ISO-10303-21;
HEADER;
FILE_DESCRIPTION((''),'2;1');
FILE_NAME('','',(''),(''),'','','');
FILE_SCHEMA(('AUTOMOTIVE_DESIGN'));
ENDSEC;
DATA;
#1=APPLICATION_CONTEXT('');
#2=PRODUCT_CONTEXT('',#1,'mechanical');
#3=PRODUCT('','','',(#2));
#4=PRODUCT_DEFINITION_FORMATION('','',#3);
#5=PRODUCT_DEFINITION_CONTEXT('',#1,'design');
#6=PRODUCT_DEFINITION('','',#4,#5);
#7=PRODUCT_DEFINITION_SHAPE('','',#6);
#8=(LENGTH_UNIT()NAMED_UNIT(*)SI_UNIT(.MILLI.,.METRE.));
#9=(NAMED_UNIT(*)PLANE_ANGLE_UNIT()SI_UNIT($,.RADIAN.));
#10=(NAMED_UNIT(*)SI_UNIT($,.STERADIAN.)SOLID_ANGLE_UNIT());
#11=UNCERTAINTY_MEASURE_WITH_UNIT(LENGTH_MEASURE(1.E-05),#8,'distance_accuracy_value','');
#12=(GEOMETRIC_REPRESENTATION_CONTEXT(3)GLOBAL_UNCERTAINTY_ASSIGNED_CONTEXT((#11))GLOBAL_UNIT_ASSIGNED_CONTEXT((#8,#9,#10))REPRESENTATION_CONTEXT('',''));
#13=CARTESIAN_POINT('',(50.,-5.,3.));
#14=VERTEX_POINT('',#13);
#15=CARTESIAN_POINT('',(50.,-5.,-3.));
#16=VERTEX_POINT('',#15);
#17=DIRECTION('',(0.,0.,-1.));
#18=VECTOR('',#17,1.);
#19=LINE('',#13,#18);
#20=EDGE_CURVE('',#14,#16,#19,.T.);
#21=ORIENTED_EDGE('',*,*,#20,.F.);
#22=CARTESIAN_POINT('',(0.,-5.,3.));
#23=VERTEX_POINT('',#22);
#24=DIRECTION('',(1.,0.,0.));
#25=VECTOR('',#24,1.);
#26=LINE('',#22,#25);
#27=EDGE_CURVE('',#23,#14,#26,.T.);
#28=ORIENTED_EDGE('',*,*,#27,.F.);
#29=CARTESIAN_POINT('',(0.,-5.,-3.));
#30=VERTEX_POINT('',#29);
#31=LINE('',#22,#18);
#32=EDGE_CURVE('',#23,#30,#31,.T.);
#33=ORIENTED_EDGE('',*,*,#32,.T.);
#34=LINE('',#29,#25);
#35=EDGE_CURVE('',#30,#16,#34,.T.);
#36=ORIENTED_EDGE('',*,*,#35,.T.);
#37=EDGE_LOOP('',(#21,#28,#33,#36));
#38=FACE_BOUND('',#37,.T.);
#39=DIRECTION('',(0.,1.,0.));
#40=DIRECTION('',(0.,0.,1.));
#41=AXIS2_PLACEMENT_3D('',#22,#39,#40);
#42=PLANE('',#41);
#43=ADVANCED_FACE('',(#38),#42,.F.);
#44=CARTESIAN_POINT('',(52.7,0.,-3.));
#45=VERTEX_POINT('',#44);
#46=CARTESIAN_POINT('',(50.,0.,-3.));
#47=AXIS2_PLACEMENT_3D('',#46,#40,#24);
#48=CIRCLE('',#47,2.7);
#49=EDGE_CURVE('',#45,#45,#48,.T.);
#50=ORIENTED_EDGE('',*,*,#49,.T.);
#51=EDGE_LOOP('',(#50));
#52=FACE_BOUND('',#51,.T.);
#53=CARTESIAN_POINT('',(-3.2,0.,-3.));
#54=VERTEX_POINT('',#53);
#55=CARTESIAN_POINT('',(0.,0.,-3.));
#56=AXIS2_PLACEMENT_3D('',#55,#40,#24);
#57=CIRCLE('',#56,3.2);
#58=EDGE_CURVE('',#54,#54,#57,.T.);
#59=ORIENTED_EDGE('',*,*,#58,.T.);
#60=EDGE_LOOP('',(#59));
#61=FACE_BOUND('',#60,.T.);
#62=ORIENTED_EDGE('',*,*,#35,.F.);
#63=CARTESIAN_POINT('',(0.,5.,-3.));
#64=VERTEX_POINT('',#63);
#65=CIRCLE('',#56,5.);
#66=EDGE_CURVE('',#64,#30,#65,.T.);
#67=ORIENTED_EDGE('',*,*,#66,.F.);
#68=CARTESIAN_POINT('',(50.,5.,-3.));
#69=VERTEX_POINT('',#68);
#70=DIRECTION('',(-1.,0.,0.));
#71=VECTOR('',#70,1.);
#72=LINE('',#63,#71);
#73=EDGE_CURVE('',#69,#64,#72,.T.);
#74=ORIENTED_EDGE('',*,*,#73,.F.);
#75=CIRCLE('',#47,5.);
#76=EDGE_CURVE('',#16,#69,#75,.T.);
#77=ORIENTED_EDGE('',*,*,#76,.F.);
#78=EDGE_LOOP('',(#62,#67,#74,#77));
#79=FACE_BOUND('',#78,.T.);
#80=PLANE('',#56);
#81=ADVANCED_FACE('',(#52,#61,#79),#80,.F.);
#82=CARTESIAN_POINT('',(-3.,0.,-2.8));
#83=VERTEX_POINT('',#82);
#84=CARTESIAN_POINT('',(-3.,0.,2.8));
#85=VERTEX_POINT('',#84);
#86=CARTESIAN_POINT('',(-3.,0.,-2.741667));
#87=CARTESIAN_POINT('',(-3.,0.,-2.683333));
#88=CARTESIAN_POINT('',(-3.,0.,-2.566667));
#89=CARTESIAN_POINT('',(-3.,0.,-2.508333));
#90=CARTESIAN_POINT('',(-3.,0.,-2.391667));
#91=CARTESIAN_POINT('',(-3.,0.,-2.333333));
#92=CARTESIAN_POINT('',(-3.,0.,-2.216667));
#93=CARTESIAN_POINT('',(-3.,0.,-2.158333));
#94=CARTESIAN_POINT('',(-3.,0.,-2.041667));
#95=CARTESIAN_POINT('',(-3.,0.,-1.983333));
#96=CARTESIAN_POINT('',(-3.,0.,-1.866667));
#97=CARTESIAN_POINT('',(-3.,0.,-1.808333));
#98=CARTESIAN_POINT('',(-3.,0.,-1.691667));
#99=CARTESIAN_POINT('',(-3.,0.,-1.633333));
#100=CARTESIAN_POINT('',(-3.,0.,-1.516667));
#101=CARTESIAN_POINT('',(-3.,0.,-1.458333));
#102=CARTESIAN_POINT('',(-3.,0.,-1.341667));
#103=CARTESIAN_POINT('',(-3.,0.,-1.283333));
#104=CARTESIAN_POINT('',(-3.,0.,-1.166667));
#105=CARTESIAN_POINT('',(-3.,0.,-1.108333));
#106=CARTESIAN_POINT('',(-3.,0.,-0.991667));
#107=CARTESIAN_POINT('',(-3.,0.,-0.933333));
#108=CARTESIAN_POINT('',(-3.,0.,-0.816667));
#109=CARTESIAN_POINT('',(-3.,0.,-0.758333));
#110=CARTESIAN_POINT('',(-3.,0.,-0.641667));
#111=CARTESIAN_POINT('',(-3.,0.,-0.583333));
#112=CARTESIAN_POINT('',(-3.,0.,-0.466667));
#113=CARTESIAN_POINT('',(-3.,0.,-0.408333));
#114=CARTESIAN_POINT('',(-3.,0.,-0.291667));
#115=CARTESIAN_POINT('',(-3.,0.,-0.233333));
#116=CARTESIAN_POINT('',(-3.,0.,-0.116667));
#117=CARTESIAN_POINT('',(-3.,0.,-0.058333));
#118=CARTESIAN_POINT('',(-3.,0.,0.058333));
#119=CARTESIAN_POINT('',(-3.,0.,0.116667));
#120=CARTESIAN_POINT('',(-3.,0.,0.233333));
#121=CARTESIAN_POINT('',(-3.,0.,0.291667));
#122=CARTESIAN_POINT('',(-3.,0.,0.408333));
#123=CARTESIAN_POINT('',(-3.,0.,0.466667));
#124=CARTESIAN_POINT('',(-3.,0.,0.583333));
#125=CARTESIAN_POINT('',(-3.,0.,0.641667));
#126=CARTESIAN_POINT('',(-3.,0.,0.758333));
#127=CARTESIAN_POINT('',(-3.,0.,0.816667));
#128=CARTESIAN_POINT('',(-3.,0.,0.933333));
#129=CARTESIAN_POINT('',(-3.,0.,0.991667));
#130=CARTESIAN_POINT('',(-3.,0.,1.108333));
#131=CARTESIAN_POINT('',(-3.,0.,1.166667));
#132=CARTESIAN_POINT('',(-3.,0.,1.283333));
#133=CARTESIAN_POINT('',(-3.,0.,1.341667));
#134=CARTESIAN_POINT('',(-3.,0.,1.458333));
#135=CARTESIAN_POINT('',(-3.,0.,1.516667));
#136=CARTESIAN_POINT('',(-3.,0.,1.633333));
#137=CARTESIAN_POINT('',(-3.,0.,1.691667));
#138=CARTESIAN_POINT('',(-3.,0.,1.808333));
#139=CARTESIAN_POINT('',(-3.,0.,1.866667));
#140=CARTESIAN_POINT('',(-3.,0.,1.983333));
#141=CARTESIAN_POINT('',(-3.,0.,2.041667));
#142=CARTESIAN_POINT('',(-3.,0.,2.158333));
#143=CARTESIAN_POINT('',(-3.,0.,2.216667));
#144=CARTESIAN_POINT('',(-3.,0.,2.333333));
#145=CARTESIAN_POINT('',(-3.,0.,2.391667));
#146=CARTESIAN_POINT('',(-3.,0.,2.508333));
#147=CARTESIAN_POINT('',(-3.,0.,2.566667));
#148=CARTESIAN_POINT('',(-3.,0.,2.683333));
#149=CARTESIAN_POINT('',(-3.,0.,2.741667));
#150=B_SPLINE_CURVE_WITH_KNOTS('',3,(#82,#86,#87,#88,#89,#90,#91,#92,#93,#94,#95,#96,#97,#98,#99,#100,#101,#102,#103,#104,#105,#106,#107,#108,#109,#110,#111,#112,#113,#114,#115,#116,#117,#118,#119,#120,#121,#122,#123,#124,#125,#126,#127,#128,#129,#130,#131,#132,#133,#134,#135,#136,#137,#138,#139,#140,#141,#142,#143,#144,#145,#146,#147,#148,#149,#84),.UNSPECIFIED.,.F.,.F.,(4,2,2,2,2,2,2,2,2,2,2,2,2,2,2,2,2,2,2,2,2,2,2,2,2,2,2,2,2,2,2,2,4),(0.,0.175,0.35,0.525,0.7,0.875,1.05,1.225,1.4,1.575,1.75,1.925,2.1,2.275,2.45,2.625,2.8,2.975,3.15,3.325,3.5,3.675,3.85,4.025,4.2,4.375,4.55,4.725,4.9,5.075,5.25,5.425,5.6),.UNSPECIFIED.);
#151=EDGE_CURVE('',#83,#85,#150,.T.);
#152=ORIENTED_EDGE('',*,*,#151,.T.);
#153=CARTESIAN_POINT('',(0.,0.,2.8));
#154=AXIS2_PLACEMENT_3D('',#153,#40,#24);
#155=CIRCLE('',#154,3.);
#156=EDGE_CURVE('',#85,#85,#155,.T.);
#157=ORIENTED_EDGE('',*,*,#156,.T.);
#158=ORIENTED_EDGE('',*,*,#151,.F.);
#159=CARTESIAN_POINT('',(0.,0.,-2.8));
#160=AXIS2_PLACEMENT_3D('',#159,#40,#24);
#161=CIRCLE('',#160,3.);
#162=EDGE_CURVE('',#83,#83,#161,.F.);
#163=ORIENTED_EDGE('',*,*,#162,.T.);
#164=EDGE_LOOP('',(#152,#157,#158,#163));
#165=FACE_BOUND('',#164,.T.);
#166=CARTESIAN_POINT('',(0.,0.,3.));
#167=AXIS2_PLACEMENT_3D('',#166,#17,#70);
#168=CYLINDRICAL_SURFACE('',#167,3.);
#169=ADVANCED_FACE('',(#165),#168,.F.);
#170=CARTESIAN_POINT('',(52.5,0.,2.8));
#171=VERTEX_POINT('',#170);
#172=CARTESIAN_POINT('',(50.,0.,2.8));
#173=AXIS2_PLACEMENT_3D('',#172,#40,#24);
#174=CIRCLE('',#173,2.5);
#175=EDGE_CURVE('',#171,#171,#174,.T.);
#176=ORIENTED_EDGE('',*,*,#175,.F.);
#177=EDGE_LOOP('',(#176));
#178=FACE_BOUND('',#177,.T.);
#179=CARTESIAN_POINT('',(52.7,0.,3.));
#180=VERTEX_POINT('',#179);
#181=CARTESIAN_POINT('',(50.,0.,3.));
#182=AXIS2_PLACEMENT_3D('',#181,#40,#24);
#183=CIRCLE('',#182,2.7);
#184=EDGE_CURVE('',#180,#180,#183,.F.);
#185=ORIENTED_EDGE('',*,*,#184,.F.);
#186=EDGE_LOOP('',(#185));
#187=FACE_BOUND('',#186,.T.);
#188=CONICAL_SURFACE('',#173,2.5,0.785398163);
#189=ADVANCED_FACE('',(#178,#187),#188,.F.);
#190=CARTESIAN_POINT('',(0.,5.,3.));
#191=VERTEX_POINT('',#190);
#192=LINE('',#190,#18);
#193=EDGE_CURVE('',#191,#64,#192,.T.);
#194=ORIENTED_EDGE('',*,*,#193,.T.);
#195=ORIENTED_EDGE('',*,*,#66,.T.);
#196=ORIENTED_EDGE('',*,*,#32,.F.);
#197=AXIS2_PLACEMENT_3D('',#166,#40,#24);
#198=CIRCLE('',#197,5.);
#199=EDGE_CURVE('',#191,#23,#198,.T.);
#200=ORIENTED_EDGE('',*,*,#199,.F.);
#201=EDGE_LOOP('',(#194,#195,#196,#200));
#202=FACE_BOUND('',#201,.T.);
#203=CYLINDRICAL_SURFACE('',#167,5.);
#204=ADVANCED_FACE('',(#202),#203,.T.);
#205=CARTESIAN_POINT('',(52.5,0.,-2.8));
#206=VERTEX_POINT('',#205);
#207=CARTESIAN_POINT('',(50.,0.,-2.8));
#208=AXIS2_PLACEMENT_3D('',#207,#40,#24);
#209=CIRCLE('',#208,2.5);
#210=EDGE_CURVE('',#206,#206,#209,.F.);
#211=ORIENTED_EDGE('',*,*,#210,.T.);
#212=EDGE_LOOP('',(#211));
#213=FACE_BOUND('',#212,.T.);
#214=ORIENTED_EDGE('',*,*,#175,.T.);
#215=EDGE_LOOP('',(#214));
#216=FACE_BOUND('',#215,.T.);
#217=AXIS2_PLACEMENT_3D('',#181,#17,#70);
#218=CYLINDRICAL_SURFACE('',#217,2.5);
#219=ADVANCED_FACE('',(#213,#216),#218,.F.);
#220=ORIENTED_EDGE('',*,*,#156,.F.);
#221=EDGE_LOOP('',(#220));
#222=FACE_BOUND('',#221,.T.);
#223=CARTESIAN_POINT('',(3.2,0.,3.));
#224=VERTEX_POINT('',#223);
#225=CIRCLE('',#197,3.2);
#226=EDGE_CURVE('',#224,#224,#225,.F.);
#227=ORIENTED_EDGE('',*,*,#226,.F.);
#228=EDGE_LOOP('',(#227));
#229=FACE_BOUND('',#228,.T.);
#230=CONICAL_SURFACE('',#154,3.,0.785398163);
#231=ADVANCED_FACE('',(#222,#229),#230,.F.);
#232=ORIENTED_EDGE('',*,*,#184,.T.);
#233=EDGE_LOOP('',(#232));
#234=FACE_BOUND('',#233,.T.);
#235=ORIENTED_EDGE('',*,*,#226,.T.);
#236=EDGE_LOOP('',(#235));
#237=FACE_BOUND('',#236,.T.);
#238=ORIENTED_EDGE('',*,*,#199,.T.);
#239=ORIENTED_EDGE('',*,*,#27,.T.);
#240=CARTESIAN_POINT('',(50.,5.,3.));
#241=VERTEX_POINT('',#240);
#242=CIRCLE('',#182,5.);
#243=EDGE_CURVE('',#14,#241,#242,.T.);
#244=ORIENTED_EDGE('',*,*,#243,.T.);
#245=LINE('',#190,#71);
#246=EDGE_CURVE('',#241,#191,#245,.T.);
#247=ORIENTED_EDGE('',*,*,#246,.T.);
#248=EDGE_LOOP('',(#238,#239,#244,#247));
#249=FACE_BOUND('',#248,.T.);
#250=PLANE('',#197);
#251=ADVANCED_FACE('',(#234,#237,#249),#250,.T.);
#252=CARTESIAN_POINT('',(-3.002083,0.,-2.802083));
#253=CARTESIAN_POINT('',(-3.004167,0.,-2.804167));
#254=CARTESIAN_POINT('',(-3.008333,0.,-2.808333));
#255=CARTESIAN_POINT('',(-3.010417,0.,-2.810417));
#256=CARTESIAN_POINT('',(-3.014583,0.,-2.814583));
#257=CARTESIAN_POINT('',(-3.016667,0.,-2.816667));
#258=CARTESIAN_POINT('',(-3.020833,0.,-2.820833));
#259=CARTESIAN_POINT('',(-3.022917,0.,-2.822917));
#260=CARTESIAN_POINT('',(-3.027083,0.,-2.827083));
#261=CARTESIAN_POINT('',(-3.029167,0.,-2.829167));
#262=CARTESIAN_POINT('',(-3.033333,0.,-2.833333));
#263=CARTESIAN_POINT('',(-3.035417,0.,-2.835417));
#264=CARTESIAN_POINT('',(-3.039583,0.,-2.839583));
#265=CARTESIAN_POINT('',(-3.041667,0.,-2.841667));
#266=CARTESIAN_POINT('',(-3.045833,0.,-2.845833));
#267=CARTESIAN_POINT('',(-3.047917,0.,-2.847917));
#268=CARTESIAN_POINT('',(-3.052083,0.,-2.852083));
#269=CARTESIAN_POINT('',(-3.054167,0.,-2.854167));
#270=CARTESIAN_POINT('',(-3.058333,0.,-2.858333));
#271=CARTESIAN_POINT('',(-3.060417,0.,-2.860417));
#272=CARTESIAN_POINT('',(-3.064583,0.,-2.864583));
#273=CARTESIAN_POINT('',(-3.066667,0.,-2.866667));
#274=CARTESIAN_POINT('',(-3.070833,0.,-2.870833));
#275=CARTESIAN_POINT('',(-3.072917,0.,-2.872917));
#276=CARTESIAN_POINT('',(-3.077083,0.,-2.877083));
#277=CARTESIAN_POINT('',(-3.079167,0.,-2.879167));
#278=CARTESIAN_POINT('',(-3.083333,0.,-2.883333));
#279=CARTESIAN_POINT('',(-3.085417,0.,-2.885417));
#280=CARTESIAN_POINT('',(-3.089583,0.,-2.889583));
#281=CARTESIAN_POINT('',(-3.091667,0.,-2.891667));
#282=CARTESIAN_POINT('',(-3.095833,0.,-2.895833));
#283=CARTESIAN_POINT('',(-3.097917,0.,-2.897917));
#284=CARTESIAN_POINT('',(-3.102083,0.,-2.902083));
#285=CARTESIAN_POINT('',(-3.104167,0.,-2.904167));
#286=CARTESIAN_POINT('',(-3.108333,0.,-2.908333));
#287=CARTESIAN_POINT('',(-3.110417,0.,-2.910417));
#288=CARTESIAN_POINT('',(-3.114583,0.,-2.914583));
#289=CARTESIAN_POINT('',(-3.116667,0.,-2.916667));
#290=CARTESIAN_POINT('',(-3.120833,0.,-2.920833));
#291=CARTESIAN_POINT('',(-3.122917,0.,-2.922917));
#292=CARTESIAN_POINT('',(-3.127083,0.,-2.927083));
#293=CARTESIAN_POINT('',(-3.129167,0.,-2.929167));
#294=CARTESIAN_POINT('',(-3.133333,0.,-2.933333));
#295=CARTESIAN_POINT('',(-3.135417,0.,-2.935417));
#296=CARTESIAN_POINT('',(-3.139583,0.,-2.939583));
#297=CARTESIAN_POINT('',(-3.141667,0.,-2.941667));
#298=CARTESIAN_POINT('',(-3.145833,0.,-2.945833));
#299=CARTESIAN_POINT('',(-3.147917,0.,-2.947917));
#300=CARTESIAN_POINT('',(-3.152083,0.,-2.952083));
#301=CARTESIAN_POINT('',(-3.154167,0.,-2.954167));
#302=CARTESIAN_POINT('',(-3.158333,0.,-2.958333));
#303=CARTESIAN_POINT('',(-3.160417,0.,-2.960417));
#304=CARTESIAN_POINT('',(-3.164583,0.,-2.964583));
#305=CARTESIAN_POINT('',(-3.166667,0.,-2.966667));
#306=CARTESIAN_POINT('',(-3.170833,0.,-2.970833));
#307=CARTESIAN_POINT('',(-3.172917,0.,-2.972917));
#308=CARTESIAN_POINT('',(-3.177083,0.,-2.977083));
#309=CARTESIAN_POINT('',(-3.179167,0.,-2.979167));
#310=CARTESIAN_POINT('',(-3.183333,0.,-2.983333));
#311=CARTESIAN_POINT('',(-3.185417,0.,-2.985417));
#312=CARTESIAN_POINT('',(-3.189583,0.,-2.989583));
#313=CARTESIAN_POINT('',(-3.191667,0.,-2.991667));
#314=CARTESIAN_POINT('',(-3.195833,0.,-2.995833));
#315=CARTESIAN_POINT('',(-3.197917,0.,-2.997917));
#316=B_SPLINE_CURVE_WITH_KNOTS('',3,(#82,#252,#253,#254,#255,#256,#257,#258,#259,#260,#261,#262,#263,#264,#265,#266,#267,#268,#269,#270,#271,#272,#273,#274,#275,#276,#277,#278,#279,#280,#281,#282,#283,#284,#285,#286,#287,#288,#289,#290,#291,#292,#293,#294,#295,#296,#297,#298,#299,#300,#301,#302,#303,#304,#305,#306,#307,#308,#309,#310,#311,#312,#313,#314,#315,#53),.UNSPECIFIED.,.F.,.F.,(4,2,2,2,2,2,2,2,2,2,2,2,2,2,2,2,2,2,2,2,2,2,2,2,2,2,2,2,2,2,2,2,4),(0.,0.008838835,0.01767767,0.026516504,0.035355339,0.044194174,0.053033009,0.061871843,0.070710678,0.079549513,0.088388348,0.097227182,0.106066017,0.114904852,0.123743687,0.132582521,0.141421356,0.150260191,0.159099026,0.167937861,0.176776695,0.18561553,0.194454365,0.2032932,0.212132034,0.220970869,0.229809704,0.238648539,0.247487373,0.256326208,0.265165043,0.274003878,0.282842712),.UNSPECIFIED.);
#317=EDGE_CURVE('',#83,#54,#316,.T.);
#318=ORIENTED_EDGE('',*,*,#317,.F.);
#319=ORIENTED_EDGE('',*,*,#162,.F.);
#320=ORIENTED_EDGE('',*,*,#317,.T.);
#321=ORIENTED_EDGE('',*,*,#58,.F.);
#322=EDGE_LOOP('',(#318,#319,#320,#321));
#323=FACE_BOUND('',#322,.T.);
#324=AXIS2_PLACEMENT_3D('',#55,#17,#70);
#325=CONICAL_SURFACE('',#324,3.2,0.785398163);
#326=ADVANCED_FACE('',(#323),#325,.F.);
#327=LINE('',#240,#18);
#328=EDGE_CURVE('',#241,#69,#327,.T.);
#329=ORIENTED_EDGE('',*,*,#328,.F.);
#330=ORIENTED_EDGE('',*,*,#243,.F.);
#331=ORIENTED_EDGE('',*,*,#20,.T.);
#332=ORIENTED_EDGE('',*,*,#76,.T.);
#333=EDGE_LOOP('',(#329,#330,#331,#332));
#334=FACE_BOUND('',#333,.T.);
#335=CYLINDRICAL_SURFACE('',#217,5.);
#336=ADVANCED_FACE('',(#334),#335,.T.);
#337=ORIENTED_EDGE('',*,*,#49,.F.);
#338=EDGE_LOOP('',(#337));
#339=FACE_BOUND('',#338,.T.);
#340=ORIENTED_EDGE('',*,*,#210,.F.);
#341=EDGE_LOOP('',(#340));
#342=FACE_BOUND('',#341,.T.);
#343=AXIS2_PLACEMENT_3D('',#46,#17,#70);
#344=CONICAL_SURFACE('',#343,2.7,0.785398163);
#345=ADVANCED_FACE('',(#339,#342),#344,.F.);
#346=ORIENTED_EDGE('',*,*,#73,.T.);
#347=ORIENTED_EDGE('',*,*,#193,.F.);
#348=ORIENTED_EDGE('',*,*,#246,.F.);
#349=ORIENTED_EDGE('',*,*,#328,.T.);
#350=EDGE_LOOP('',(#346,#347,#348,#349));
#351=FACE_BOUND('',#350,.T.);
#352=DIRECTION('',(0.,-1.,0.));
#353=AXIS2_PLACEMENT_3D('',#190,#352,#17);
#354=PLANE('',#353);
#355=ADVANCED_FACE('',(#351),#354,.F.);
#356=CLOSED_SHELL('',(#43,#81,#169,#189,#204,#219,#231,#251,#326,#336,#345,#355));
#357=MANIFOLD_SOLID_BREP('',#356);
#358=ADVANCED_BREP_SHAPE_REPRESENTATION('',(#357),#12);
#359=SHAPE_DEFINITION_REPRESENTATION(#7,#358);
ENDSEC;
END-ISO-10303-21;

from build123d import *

# Parameters (mm, degrees)
SKETCH1_R           = 2.5
SKETCH1_R_2         = 3
BOSS_EXTRUDE1_DEPTH = 3
CHAMFER_1_SIZE      = 0.2


with BuildPart() as part:
    # Sketch1 → Boss-Extrude1 (new, symmetric)
    with BuildSketch(Plane.XY):
        with BuildLine():
            Line((0, 5), (50, 5))
            ThreePointArc((50, 5), (55, 0), (50, -5))
            Line((50, -5), (0, -5))
            ThreePointArc((0, -5), (-5, 0), (0, 5))
        make_face()
        with Locations((50, 0)):
            Circle(SKETCH1_R, mode=Mode.SUBTRACT)
        Circle(SKETCH1_R_2, mode=Mode.SUBTRACT)
    extrude(amount=BOSS_EXTRUDE1_DEPTH, both=True)

    # 倒角1
    chamfer_1_edges = [part.edges().sort_by_distance(p)[0] for p in [
        (47.5, 0, -3),
        (47.5, 0, 3),
        (-3, 0, -3),
        (-3, 0, 3),
    ]]
    chamfer(chamfer_1_edges, length=CHAMFER_1_SIZE)


solid = part.part
